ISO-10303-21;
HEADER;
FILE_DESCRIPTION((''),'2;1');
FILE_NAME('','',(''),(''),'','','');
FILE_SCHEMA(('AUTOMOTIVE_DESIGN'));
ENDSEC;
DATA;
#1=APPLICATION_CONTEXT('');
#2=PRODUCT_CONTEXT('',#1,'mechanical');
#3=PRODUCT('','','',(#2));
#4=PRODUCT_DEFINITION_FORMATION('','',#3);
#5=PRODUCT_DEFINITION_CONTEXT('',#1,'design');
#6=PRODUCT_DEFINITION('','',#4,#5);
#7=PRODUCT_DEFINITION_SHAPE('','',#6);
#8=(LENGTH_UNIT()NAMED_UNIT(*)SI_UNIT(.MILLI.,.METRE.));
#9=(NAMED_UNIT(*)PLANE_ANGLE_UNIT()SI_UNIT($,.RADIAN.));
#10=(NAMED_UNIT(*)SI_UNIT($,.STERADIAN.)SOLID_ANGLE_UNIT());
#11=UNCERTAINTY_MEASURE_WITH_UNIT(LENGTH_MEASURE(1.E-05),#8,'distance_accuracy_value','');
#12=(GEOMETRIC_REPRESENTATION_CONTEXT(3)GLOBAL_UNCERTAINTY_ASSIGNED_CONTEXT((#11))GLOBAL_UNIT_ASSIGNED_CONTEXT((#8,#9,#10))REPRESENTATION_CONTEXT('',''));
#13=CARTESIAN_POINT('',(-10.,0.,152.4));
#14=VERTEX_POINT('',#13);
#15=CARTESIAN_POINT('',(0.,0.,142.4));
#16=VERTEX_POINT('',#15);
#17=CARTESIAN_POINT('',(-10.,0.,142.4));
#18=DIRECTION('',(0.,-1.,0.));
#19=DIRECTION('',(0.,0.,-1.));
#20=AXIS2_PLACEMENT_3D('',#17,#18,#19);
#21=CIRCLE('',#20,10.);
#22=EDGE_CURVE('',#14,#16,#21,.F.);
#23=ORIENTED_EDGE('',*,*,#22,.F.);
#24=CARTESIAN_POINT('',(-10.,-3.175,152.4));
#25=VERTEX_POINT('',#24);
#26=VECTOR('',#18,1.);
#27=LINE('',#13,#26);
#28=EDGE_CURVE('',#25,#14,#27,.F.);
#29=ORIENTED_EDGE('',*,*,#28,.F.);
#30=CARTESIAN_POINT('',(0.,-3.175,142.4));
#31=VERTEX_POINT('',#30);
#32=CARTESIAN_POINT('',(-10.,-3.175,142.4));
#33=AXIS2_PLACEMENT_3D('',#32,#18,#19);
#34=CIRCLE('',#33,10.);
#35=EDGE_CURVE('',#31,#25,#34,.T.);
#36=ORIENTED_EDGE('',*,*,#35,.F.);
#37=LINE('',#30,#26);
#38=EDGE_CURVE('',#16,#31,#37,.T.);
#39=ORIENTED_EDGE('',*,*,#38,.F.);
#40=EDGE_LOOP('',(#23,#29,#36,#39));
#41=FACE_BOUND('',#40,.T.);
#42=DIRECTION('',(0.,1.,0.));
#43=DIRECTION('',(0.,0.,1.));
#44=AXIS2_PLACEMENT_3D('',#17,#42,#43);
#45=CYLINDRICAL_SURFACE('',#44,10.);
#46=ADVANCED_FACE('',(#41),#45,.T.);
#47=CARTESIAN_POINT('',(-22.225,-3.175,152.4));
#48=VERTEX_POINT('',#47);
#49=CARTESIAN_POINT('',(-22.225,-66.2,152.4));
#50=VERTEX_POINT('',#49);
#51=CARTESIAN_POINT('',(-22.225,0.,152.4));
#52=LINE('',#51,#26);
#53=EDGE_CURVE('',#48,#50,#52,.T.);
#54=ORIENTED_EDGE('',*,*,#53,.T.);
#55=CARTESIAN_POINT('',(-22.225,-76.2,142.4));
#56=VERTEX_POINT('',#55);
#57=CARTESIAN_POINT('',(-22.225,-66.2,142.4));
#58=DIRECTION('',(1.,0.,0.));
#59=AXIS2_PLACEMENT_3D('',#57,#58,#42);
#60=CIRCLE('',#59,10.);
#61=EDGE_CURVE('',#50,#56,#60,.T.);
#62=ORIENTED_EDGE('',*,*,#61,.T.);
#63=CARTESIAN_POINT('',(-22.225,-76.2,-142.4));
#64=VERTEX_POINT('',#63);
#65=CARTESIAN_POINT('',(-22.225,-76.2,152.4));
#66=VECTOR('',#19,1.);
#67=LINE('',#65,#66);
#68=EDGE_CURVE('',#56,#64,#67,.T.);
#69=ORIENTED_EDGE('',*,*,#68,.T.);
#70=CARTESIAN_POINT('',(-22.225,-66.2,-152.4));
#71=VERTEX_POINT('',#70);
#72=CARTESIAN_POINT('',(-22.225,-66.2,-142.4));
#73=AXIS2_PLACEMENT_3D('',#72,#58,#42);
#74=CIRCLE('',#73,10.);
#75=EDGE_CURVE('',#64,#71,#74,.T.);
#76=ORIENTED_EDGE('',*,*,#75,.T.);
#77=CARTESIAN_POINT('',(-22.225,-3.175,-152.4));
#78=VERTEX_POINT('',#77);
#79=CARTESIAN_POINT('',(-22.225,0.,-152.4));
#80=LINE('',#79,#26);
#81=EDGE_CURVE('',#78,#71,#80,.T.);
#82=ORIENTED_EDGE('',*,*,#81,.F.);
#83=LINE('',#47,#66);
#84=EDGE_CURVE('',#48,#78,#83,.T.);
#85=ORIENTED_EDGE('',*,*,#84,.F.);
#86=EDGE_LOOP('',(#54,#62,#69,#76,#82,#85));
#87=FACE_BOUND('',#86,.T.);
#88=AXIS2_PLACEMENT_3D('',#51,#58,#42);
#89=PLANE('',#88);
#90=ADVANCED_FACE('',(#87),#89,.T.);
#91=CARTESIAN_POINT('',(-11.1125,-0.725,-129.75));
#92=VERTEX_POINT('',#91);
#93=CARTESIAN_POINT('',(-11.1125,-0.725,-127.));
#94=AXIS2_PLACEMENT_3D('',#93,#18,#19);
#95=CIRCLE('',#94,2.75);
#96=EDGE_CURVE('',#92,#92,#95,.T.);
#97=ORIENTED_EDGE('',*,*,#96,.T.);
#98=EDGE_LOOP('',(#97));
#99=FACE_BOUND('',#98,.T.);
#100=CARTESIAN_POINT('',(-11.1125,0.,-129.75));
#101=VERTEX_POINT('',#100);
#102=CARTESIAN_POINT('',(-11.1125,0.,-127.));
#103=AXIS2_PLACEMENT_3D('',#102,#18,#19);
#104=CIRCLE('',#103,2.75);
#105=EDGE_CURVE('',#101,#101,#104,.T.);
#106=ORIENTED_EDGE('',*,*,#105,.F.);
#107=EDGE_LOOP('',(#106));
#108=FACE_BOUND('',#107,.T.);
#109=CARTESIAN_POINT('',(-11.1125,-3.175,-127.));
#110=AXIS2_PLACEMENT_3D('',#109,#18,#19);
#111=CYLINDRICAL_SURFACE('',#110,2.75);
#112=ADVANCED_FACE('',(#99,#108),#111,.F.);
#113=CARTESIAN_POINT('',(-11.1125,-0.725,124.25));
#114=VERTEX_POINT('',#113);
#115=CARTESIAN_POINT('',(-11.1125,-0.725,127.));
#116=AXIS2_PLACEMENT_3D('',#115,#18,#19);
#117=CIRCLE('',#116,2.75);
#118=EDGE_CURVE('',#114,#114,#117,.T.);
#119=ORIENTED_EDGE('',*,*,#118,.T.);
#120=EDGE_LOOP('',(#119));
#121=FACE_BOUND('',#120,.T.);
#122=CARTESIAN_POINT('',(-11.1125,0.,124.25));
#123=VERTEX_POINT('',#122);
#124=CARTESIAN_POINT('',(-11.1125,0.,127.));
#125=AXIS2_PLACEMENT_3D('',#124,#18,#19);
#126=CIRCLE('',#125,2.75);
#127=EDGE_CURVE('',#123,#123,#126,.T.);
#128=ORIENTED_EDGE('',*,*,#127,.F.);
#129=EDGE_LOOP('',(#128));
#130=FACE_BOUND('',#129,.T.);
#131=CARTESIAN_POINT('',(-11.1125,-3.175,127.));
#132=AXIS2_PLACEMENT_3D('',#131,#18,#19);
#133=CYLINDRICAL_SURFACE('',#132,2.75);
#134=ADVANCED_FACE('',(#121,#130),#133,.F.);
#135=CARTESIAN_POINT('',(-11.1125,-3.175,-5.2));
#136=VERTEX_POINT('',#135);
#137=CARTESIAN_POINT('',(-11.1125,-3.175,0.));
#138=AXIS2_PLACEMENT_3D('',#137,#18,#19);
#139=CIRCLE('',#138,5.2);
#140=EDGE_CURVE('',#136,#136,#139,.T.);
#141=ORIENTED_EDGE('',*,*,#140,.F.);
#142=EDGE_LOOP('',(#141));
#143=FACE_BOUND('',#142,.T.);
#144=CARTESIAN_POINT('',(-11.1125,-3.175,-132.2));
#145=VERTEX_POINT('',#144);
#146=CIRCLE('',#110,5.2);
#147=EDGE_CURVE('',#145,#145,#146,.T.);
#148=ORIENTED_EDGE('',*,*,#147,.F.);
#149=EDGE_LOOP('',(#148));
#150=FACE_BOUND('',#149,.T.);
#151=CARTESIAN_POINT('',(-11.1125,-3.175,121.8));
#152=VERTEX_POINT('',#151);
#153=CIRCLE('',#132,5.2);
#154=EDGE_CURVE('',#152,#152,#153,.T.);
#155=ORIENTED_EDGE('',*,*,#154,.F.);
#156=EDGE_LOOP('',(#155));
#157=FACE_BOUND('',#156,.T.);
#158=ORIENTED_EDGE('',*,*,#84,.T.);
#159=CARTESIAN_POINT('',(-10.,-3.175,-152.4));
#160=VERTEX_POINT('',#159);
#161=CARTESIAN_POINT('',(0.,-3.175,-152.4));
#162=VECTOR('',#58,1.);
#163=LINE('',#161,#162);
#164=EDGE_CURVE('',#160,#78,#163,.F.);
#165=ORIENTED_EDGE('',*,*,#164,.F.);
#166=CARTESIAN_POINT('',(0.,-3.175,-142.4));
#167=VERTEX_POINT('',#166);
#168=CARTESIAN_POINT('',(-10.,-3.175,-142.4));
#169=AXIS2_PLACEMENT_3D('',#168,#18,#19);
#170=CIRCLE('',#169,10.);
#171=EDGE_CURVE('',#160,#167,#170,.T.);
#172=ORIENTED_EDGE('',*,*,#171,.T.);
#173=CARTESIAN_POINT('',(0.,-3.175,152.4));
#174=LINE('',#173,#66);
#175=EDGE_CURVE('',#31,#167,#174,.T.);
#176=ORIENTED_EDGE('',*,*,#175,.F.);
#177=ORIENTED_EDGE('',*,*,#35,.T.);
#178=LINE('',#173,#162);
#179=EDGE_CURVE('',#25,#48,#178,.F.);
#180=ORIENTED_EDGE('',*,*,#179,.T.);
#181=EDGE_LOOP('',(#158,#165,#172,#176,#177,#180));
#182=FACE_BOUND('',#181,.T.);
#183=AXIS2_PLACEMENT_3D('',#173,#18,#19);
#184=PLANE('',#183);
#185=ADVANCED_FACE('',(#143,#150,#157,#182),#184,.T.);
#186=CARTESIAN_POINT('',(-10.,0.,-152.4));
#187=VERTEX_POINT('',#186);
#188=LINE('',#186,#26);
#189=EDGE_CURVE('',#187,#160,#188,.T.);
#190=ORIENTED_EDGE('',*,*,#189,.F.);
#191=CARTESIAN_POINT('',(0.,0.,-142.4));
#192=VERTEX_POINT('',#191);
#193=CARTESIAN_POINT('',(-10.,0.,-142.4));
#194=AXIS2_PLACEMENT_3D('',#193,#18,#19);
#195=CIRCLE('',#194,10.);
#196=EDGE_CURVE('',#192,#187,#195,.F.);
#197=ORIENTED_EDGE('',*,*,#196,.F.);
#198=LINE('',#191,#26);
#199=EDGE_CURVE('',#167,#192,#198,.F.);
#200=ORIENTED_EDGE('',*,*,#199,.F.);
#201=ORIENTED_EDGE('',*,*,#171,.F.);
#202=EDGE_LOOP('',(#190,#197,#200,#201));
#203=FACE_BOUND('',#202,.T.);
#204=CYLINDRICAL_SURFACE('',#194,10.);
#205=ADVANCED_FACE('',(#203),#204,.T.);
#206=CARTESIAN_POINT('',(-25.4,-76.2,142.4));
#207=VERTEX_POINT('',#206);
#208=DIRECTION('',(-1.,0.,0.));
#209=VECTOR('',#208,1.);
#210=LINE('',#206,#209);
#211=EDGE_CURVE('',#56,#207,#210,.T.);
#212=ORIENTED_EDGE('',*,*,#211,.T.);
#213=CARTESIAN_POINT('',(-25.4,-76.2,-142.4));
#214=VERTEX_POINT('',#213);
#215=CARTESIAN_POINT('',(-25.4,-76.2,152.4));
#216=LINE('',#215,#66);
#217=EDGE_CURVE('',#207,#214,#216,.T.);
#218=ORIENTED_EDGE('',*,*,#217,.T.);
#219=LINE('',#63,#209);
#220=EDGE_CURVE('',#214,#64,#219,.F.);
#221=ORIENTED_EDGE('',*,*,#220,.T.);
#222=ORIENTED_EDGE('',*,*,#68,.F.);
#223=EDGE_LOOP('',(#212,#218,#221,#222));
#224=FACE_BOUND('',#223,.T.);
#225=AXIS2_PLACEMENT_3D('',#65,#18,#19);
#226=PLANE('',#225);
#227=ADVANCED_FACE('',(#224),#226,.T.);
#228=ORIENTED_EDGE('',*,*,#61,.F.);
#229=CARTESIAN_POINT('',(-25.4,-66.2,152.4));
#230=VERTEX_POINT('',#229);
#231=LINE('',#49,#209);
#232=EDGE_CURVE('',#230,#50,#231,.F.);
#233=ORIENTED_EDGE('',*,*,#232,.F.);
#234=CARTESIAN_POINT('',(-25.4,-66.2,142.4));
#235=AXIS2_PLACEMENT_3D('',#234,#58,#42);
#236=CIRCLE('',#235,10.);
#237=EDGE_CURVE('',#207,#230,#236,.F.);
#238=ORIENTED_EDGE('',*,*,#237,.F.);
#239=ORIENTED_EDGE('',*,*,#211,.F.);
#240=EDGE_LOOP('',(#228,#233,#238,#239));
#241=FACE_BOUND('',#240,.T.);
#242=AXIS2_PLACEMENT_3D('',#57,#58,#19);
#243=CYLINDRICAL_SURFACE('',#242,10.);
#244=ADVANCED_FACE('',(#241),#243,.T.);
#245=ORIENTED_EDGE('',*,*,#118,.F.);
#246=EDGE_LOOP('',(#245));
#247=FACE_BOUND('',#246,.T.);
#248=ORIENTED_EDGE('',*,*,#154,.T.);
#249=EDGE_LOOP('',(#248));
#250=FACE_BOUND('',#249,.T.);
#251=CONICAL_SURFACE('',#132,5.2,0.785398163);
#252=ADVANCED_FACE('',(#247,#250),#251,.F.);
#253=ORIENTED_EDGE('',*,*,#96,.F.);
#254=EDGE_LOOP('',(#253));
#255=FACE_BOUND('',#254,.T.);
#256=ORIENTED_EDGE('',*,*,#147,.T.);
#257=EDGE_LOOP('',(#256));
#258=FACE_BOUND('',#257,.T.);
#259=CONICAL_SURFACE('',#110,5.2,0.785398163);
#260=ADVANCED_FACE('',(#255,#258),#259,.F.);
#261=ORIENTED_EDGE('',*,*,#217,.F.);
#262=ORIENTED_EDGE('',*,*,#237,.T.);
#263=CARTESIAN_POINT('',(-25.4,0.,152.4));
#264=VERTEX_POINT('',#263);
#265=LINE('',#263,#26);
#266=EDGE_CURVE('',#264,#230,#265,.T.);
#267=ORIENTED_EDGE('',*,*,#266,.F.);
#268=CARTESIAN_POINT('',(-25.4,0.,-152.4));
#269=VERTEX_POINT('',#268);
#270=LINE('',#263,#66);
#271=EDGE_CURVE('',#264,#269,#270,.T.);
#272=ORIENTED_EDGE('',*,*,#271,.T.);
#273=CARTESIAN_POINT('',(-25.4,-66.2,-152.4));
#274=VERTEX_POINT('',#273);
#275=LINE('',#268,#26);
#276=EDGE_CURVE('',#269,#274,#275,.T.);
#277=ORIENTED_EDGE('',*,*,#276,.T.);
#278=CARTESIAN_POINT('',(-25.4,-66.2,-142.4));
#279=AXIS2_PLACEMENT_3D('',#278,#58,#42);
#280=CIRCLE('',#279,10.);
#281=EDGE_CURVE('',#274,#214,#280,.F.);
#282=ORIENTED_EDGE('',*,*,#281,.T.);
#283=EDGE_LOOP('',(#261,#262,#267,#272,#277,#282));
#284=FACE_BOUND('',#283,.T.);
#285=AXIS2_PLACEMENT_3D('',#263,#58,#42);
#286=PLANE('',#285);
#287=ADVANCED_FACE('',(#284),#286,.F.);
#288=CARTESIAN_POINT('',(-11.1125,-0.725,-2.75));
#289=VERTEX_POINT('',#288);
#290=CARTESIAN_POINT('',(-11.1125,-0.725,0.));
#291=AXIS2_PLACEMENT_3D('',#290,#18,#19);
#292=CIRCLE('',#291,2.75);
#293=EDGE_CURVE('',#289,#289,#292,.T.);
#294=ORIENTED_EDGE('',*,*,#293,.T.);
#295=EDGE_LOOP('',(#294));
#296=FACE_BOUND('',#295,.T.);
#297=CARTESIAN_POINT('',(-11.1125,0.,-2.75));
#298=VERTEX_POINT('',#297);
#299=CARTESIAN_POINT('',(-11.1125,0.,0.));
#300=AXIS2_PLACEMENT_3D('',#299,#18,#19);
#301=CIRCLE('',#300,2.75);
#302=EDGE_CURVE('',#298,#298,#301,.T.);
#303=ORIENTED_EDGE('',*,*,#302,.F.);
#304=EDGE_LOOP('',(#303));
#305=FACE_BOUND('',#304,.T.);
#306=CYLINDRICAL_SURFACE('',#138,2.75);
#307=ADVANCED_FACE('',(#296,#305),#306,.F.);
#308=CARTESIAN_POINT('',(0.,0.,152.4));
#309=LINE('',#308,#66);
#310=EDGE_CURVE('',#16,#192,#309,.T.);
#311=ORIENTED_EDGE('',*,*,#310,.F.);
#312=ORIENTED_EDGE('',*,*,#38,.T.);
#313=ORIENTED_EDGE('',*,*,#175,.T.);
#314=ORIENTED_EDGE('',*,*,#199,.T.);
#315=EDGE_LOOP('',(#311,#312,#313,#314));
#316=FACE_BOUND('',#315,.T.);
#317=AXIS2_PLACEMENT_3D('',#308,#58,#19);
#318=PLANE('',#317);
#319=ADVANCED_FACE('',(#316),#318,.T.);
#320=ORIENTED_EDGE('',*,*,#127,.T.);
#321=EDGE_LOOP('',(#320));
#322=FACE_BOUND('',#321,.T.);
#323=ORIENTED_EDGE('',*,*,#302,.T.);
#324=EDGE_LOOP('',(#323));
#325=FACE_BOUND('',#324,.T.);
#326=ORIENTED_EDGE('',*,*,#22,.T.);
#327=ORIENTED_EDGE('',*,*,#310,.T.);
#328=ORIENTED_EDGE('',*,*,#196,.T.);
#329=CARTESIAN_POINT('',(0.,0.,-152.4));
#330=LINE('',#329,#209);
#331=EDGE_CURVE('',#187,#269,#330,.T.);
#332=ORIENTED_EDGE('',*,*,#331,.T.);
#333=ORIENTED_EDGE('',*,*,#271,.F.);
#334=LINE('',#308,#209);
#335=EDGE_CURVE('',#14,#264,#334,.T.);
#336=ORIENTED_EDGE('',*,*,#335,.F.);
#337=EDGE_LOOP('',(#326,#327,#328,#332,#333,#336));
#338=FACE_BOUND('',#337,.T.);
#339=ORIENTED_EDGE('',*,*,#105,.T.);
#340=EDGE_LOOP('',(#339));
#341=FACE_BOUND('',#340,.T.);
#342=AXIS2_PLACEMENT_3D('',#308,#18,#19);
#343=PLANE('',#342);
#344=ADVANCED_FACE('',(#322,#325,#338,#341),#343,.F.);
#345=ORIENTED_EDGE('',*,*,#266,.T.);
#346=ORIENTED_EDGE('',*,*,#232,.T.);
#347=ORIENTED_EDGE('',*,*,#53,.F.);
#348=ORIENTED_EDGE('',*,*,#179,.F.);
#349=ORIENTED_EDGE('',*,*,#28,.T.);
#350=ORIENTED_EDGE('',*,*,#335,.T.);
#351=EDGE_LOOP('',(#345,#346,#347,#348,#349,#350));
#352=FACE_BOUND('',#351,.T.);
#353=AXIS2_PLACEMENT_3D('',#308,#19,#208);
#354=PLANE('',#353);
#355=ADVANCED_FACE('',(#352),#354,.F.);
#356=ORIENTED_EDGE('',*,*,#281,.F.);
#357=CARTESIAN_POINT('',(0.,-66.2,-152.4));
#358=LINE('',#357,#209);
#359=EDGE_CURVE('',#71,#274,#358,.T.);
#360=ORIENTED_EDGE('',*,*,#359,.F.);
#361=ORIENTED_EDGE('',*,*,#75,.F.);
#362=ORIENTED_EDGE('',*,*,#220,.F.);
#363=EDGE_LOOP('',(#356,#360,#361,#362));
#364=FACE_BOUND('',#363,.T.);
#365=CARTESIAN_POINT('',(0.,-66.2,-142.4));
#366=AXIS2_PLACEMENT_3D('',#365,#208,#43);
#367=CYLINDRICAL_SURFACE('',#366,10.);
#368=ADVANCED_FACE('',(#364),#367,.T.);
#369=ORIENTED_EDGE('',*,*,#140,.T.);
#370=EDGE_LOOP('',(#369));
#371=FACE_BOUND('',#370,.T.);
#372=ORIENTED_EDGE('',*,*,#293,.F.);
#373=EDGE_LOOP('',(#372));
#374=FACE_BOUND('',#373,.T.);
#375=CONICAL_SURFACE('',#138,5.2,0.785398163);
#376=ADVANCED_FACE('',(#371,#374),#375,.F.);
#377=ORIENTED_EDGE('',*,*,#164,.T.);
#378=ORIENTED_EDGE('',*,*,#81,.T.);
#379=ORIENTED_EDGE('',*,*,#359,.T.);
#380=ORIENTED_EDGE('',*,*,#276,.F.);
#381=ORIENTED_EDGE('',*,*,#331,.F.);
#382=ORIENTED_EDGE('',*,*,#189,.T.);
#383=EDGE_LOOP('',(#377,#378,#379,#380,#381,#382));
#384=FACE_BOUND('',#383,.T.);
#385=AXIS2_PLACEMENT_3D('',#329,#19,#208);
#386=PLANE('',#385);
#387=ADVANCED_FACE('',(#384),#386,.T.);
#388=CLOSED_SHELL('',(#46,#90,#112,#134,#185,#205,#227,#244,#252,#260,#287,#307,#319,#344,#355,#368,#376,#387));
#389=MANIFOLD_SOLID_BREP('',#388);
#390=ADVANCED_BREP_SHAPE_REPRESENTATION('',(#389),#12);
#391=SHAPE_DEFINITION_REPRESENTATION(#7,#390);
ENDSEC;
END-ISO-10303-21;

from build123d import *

# Parameters (mm, degrees)
EXTRUDE_THIN1_DEPTH                            = 152.4
CSK_FOR_M5_FLAT_HEAD_MACHINE_SCREW1_AT_2_COUNT = 2
CSK_FOR_M5_FLAT_HEAD_MACHINE_SCREW1_AT_2_PITCH = 127
CSK_FOR_M5_FLAT_HEAD_MACHINE_SCREW1_AT_3_COUNT = 2
CSK_FOR_M5_FLAT_HEAD_MACHINE_SCREW1_AT_3_PITCH = 254
FILLET1_R                                      = 10


with BuildPart() as part:
    # Sketch1 → Extrude-Thin1 (new, symmetric)
    with BuildSketch(Plane.XY):
        Polygon((0, 0), (-25.4, 0), (-25.4, -76.2), (-22.225, -76.2), (-22.225, -3.175), (0, -3.175), align=None)
    extrude(amount=EXTRUDE_THIN1_DEPTH, both=True)

    # Sketch3 → CSK for M5 Flat Head Machine Screw1 (revolve, cut)
    with BuildSketch(Plane(origin=(-11.1125, -3.175, 127), x_dir=(0, 0, -1), z_dir=(1, 0, 0))):
        Polygon((0, 0), (0, 3.175), (2.75, 3.175), (2.75, 2.45), (5.2, 0), align=None)
    csk_for_m5_flat_head_machine_screw1 = revolve(axis=Axis((-11.1125, -9.525, 127), (0, 1, 0)), mode=Mode.SUBTRACT)

    # CSK for M5 Flat Head Machine Screw1 at 2: CSK for M5 Flat Head Machine Screw1 ×2
    with Locations(*[(0, 0, -i * CSK_FOR_M5_FLAT_HEAD_MACHINE_SCREW1_AT_2_PITCH) for i in range(1, CSK_FOR_M5_FLAT_HEAD_MACHINE_SCREW1_AT_2_COUNT)]):
        add(csk_for_m5_flat_head_machine_screw1, mode=Mode.SUBTRACT)

    # CSK for M5 Flat Head Machine Screw1 at 3: CSK for M5 Flat Head Machine Screw1 ×2
    with Locations(*[(0, 0, -i * CSK_FOR_M5_FLAT_HEAD_MACHINE_SCREW1_AT_3_PITCH) for i in range(1, CSK_FOR_M5_FLAT_HEAD_MACHINE_SCREW1_AT_3_COUNT)]):
        add(csk_for_m5_flat_head_machine_screw1, mode=Mode.SUBTRACT)

    # Fillet1
    fillet1_edges = [part.edges().sort_by_distance(p)[0] for p in [
        (0, -1.5875, 152.4),
        (0, -1.5875, -152.4),
        (-23.8125, -76.2, -152.4),
        (-23.8125, -76.2, 152.4),
    ]]
    fillet(fillet1_edges, radius=FILLET1_R)


solid = part.part
